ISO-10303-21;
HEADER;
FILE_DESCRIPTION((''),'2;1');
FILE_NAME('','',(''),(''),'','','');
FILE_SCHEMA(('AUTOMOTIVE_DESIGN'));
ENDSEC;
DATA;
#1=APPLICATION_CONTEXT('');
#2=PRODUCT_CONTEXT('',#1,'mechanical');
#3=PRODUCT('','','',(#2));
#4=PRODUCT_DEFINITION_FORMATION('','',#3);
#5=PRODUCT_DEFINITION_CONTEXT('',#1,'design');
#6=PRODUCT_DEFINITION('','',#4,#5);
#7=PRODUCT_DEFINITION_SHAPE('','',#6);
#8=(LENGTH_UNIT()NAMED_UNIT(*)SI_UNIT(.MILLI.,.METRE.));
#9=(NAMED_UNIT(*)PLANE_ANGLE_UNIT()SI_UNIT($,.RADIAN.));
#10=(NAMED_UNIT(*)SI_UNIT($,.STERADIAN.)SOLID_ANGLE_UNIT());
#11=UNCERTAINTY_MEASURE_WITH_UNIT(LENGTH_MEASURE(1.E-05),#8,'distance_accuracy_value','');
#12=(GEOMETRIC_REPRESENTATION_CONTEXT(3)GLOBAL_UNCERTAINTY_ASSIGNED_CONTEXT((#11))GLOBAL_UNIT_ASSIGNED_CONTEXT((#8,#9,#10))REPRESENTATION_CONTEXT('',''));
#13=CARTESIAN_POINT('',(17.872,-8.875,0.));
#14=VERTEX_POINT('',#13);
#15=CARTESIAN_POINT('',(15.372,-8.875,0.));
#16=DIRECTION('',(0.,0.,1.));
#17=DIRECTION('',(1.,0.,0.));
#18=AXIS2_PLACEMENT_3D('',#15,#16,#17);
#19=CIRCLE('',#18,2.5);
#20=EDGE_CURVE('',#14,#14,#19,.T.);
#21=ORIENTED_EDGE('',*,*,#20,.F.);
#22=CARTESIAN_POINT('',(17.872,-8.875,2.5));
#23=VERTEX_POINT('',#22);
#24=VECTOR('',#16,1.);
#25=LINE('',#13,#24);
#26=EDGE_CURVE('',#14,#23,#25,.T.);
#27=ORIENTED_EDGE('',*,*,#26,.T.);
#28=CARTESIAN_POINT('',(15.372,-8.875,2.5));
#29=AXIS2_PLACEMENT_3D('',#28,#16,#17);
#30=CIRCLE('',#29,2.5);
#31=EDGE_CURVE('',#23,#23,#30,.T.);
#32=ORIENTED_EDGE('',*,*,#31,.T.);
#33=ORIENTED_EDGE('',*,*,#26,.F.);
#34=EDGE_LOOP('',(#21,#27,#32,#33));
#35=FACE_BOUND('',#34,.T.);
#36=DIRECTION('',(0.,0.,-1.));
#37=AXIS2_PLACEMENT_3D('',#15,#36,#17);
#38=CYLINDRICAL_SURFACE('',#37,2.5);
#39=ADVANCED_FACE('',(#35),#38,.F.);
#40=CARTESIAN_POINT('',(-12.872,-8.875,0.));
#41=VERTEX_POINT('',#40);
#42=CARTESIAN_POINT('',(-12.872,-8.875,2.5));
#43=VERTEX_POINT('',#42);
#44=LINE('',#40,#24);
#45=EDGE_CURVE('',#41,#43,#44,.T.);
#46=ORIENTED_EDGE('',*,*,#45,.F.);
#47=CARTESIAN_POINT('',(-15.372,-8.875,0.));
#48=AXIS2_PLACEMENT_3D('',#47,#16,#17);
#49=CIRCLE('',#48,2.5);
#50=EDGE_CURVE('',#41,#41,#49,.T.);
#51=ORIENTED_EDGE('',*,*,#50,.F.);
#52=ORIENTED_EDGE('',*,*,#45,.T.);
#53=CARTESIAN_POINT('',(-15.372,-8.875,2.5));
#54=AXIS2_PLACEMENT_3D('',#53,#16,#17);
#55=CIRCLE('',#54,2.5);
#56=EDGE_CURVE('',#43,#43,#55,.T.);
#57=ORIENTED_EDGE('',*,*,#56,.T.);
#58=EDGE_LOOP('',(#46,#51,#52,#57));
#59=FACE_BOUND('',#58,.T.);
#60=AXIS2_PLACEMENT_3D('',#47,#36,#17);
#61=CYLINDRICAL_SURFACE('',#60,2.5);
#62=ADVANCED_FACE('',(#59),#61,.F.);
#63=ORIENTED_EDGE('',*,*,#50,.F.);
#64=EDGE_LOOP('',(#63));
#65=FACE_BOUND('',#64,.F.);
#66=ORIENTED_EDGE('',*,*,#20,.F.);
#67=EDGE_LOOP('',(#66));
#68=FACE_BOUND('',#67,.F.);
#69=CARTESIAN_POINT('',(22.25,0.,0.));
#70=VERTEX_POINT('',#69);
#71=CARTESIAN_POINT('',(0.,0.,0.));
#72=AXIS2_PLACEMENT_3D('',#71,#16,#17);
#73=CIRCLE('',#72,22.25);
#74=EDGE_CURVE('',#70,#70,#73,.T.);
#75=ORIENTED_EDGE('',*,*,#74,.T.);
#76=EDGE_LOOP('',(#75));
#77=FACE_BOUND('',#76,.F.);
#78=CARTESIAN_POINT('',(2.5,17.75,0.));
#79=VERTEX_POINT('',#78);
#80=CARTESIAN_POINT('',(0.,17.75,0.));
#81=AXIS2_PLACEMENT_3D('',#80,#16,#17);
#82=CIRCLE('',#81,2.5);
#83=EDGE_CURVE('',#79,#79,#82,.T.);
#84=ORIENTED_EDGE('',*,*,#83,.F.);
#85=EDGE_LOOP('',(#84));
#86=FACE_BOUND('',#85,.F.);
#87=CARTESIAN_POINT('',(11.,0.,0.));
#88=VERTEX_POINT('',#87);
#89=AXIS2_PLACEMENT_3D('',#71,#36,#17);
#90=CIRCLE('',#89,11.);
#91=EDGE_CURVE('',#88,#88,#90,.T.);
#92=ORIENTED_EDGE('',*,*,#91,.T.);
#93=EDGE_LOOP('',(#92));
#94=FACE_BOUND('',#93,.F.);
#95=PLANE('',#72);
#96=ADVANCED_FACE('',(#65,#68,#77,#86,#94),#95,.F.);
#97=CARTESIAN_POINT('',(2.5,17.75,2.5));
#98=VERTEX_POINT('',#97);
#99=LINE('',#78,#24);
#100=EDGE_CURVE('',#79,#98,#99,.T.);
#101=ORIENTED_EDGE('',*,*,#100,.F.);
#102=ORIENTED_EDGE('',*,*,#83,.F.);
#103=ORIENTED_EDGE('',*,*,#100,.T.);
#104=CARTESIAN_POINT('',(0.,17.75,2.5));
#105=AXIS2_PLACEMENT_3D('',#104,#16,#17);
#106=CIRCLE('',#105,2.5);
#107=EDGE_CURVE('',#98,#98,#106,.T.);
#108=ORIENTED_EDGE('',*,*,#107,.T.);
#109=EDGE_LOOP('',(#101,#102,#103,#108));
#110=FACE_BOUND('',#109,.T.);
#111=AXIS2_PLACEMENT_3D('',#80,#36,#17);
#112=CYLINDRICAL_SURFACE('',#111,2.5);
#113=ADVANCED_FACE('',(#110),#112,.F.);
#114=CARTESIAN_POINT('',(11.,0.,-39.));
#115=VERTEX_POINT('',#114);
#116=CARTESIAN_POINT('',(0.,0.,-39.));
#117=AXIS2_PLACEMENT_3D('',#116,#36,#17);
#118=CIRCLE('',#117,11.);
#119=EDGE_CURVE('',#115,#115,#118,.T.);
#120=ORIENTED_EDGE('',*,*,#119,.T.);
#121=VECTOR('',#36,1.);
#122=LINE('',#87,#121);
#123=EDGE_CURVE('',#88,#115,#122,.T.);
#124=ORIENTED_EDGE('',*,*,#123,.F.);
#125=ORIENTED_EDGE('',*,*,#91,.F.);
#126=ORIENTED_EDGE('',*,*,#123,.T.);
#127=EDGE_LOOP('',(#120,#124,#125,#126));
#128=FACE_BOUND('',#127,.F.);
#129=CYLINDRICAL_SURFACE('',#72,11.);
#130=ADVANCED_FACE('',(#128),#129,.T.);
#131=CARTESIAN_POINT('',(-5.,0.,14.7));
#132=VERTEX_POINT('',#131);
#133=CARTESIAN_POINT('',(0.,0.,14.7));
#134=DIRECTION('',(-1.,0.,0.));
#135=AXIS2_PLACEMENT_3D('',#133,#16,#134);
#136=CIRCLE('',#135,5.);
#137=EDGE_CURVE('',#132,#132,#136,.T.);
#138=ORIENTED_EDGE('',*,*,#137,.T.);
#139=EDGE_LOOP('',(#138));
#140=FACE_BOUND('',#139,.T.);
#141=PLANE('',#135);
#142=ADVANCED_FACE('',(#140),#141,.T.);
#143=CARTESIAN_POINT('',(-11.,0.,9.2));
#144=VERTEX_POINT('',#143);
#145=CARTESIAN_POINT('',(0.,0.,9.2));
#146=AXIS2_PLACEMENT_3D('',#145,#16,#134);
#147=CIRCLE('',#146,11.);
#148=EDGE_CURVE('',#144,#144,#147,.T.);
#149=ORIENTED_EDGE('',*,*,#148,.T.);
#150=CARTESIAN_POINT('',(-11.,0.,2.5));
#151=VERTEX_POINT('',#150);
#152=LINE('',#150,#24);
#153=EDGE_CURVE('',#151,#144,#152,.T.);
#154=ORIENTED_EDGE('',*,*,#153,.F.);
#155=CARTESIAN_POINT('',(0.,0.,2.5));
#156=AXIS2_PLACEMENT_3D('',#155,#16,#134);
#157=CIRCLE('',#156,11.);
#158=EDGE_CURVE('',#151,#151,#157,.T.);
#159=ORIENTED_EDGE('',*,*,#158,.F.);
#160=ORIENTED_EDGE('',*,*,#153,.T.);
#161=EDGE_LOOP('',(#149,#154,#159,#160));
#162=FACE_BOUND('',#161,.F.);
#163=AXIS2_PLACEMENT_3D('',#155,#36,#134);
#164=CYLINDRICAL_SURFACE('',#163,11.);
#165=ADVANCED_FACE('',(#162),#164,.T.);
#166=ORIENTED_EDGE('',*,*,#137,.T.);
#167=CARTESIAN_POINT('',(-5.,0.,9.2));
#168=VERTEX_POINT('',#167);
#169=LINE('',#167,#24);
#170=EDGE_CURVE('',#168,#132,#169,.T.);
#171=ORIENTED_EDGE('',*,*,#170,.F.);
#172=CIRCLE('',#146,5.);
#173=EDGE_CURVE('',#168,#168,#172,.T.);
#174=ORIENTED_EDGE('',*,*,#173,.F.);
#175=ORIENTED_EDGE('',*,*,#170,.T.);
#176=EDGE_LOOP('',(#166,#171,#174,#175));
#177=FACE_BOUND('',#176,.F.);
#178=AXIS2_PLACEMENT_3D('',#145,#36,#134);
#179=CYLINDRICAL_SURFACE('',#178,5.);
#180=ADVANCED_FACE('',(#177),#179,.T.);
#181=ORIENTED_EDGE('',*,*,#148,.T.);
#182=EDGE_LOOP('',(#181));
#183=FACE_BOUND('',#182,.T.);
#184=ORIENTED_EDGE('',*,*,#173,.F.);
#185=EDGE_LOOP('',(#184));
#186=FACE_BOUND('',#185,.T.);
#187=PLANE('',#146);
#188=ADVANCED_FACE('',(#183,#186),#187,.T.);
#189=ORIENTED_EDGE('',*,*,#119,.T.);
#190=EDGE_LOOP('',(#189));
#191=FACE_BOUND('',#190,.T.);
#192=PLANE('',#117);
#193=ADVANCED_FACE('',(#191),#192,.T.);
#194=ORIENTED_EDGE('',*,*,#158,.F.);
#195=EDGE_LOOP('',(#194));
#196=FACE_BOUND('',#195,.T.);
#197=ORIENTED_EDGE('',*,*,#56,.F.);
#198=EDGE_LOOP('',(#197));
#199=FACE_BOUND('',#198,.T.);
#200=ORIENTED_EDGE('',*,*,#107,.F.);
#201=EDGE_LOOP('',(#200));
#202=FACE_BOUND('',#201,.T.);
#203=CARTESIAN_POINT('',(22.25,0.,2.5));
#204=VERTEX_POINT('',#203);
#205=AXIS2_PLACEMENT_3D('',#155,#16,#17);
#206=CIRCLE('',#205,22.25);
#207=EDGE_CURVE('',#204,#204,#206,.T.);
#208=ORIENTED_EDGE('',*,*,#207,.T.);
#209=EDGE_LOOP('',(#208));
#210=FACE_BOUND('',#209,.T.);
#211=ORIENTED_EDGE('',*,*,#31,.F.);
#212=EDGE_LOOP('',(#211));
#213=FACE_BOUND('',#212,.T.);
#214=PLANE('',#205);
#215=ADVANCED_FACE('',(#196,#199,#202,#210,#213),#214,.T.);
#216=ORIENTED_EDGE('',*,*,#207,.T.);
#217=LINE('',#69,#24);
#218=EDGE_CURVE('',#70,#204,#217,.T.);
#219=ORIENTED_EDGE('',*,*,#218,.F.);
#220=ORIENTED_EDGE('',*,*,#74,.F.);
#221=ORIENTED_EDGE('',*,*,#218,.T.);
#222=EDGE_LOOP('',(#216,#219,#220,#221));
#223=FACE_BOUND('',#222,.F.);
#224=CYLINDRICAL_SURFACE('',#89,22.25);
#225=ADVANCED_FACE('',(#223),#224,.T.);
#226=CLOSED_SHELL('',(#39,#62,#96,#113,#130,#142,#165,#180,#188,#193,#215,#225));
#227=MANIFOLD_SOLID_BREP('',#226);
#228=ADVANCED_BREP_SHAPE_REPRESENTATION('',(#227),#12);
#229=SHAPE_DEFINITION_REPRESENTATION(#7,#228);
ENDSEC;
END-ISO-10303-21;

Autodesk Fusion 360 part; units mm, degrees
sketch "Sketch1" plane through (0, 0, 0) normal (0, 0, 1) x (1, 0, 0)
  circle A0 centre (0, 0) radius 22.25
  line L0 (0, 0) -> (0, 22.25) construction
  circle A1 centre (0, 17.75) radius 2.5
  line L1 (0, 17.75) -> (0, 20.25) construction
  circle A2 centre (-15.372, -8.875) radius 2.5
  circle A3 centre (15.372, -8.875) radius 2.5
  circle A4 centre (0, 0) radius 17.75 construction
  dimension "d1" = 44.5
  dimension "d2" = 5
  dimension "d3" = 2
  dimension "d5" = 360
extrude "Extrude1" add sketch "Sketch1" along normal blind 2.5 makes body 1
sketch "Sketch2" plane through (0, 0, 2.5) normal (0, 0, 1) x (-1, 0, 0)
  circle A0 centre (0, -17.75) radius 2.5
  circle A1 centre (15.372, 8.875) radius 2.5
  circle A2 centre (-15.372, 8.875) radius 2.5
  circle A3 centre (0, 0) radius 22.25
  circle A4 centre (0, 0) radius 11
  dimension "d8" = 22
extrude "Extrude2" add sketch "Sketch2" along normal blind 6.7 contours A4 bodies 1
sketch "Sketch3" plane through (0, 0, 9.2) normal (0, 0, 1) x (-1, 0, 0)
  circle A0 centre (0, 0) radius 11
  circle A1 centre (0, 0) radius 5
  dimension "d11" = 10
extrude "Extrude3" add sketch "Sketch3" along normal blind 5.5 contours A1 bodies 1
sketch "Sketch4" plane through (0, 0, 0) normal (0, 0, -1) x (1, 0, 0)
  circle A0 centre (0, -17.75) radius 2.5
  circle A1 centre (-15.372, 8.875) radius 2.5
  circle A2 centre (15.372, 8.875) radius 2.5
  circle A3 centre (0, 0) radius 22.25
  circle A4 centre (0, 0) radius 11
  dimension "d14" = 22
extrude "Extrude4" add sketch "Sketch4" along normal blind 39 contours A4 bodies 1
copy_body "Body->Comp1" bodies 1 removing the originals makes body 2 in component "Component"
component "Component" placed x (1, 0, 0) y (0, 1, 0) z (0, 0, 1) at (0, 0, 0)
